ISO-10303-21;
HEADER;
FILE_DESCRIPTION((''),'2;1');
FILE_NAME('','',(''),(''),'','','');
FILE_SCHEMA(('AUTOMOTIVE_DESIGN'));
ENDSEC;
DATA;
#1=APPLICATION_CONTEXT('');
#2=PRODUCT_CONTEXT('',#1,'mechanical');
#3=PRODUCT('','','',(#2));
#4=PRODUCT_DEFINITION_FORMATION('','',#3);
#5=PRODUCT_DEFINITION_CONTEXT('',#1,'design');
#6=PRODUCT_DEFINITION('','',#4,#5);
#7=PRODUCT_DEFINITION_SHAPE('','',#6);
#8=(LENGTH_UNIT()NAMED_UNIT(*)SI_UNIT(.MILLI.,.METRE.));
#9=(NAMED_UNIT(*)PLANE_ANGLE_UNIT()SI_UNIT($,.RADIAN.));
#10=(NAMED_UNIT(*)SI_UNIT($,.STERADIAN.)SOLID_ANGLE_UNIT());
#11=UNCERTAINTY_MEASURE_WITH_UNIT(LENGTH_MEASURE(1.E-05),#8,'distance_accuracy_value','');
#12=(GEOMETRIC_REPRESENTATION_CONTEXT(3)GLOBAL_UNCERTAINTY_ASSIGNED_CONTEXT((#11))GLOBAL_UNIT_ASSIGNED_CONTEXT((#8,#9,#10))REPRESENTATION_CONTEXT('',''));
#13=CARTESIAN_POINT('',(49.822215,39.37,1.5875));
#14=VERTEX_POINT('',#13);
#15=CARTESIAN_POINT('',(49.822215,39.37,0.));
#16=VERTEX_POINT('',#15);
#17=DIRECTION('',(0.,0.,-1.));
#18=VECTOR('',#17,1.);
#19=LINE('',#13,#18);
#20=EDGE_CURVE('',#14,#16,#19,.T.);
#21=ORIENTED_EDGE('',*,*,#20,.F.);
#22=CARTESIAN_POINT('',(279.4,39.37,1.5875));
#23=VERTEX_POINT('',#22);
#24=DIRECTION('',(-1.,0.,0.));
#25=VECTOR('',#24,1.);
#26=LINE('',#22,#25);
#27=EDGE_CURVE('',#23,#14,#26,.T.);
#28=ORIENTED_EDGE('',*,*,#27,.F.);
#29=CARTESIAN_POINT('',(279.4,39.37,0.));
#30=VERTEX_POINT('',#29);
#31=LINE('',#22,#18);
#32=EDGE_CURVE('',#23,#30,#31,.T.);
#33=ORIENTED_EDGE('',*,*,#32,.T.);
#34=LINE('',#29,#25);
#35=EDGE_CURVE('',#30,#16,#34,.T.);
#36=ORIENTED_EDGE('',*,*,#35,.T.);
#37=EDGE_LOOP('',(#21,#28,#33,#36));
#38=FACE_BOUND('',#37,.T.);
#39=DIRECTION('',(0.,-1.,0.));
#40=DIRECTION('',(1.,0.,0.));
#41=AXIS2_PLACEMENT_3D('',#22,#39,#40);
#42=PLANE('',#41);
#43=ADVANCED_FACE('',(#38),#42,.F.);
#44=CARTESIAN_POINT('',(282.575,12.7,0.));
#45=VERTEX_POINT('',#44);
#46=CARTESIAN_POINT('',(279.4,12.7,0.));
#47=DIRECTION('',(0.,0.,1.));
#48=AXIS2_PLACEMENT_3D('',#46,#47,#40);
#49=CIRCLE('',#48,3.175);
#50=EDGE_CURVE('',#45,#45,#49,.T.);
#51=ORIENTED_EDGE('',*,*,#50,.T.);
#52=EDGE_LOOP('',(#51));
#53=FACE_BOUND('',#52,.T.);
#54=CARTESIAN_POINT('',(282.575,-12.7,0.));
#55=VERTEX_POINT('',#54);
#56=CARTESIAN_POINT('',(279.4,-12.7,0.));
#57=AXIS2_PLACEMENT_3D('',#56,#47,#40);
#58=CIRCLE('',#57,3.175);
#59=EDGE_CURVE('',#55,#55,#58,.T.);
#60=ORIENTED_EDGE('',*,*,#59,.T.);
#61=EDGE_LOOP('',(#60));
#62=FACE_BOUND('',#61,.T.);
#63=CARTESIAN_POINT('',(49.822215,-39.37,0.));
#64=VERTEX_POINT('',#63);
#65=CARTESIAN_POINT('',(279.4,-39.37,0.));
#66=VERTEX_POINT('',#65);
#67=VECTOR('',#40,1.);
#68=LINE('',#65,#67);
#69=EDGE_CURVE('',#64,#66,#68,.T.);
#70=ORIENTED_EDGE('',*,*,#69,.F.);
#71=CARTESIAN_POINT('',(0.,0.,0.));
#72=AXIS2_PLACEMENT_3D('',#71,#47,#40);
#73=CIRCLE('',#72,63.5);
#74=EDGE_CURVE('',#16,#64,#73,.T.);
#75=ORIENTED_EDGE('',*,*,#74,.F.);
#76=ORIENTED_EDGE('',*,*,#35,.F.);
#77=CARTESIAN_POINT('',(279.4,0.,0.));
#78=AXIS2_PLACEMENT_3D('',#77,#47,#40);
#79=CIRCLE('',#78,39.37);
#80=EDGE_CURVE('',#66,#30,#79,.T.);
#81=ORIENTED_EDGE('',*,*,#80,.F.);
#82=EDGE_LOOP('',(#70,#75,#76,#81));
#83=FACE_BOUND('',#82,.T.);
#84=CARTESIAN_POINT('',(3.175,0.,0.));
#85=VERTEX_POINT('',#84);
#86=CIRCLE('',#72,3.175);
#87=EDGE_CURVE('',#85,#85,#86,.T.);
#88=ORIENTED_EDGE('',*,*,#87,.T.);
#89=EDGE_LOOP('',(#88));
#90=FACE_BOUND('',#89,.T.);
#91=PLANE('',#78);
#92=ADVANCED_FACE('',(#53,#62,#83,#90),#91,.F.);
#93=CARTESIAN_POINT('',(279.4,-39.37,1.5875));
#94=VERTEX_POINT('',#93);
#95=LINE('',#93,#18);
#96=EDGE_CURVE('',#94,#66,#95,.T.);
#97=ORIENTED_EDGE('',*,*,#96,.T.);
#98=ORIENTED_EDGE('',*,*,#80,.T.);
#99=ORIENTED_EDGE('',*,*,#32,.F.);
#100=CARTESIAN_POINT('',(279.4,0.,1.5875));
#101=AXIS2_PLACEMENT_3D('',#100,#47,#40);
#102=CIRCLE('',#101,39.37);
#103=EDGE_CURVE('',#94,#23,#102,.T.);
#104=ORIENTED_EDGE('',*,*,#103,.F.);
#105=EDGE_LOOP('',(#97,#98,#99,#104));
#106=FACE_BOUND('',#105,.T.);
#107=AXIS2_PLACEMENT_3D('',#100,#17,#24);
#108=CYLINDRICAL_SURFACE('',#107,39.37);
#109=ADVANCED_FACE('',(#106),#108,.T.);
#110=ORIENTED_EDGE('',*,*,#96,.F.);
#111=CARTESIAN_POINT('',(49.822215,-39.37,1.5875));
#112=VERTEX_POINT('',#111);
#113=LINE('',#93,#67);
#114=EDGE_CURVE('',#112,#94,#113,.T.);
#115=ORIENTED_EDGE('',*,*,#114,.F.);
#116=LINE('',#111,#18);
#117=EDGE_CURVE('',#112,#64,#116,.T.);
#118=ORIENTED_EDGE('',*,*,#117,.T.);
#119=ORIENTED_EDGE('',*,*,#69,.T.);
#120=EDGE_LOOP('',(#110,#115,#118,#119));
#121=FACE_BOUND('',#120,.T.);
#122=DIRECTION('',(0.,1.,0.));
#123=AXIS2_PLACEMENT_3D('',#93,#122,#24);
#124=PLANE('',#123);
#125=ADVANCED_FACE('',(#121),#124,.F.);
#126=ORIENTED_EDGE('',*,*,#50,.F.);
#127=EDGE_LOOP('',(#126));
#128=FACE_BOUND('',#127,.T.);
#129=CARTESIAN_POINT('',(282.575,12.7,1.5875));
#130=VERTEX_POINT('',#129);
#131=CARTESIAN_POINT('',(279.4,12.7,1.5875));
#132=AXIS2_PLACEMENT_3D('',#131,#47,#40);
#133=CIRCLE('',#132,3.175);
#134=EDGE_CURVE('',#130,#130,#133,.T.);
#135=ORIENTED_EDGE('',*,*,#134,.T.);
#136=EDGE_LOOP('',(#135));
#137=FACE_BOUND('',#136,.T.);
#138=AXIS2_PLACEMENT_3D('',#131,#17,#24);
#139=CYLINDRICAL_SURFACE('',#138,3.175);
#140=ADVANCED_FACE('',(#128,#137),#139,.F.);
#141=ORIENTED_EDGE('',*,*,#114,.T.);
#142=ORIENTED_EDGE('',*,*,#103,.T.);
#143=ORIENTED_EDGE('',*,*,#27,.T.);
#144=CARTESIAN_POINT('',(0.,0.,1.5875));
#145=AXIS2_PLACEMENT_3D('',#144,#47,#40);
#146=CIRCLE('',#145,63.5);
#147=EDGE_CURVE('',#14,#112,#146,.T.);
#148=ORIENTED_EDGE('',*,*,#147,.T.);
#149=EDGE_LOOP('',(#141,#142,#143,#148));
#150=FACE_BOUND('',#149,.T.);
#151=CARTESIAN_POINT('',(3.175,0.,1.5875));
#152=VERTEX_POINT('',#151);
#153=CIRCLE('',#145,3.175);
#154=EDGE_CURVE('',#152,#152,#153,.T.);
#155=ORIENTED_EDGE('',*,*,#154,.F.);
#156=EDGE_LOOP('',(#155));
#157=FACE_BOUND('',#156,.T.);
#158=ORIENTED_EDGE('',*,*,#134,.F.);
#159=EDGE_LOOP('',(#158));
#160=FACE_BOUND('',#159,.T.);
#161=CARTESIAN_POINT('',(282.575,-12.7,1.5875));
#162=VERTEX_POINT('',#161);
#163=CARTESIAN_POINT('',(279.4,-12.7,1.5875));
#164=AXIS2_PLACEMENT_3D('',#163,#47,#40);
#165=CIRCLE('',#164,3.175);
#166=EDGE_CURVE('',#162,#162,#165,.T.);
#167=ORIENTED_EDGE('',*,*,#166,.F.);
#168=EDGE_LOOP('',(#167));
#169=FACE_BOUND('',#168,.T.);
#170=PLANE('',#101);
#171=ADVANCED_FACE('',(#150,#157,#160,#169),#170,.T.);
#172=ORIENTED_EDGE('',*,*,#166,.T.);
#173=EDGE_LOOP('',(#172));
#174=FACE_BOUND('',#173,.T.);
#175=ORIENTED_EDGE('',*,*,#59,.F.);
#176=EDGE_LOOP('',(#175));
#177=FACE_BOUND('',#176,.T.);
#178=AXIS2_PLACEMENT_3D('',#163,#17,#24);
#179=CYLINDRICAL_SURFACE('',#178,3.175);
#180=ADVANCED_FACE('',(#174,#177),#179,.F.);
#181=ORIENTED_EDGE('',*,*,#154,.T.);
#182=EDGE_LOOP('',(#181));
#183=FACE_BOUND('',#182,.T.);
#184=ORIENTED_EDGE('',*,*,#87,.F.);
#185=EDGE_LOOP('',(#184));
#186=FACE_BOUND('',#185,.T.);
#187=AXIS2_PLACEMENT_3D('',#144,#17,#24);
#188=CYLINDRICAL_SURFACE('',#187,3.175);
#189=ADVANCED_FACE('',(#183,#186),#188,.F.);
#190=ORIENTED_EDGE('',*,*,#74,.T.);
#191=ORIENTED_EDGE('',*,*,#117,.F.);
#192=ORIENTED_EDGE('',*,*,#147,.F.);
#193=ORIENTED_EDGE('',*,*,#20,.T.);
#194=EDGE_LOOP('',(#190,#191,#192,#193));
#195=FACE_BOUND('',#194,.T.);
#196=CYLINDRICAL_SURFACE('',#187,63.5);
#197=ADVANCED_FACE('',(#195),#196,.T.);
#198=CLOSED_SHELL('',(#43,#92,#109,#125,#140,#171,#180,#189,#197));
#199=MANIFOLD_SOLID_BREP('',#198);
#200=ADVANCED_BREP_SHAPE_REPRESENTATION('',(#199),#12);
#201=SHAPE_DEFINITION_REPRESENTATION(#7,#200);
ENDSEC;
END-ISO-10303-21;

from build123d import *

# Parameters (mm, degrees)
SKETCH1_R           = 3.175
BOSS_EXTRUDE1_DEPTH = 1.5875


with BuildPart() as part:
    # Sketch1 → Boss-Extrude1 (new body)
    with BuildSketch(Plane.XY):
        with BuildLine():
            Line((279.4, -39.37), (49.822214925, -39.37))
            ThreePointArc((49.822214925, -39.37), (-63.5, 0), (49.822214925, 39.37))
            Line((49.822214925, 39.37), (279.4, 39.37))
            ThreePointArc((279.4, 39.37), (318.77, 0), (279.4, -39.37))
        make_face()
        Circle(SKETCH1_R, mode=Mode.SUBTRACT)
        with Locations((279.4, 12.7)):
            Circle(SKETCH1_R, mode=Mode.SUBTRACT)
        with Locations((279.4, -12.7)):
            Circle(SKETCH1_R, mode=Mode.SUBTRACT)
    extrude(amount=BOSS_EXTRUDE1_DEPTH)


solid = part.part
